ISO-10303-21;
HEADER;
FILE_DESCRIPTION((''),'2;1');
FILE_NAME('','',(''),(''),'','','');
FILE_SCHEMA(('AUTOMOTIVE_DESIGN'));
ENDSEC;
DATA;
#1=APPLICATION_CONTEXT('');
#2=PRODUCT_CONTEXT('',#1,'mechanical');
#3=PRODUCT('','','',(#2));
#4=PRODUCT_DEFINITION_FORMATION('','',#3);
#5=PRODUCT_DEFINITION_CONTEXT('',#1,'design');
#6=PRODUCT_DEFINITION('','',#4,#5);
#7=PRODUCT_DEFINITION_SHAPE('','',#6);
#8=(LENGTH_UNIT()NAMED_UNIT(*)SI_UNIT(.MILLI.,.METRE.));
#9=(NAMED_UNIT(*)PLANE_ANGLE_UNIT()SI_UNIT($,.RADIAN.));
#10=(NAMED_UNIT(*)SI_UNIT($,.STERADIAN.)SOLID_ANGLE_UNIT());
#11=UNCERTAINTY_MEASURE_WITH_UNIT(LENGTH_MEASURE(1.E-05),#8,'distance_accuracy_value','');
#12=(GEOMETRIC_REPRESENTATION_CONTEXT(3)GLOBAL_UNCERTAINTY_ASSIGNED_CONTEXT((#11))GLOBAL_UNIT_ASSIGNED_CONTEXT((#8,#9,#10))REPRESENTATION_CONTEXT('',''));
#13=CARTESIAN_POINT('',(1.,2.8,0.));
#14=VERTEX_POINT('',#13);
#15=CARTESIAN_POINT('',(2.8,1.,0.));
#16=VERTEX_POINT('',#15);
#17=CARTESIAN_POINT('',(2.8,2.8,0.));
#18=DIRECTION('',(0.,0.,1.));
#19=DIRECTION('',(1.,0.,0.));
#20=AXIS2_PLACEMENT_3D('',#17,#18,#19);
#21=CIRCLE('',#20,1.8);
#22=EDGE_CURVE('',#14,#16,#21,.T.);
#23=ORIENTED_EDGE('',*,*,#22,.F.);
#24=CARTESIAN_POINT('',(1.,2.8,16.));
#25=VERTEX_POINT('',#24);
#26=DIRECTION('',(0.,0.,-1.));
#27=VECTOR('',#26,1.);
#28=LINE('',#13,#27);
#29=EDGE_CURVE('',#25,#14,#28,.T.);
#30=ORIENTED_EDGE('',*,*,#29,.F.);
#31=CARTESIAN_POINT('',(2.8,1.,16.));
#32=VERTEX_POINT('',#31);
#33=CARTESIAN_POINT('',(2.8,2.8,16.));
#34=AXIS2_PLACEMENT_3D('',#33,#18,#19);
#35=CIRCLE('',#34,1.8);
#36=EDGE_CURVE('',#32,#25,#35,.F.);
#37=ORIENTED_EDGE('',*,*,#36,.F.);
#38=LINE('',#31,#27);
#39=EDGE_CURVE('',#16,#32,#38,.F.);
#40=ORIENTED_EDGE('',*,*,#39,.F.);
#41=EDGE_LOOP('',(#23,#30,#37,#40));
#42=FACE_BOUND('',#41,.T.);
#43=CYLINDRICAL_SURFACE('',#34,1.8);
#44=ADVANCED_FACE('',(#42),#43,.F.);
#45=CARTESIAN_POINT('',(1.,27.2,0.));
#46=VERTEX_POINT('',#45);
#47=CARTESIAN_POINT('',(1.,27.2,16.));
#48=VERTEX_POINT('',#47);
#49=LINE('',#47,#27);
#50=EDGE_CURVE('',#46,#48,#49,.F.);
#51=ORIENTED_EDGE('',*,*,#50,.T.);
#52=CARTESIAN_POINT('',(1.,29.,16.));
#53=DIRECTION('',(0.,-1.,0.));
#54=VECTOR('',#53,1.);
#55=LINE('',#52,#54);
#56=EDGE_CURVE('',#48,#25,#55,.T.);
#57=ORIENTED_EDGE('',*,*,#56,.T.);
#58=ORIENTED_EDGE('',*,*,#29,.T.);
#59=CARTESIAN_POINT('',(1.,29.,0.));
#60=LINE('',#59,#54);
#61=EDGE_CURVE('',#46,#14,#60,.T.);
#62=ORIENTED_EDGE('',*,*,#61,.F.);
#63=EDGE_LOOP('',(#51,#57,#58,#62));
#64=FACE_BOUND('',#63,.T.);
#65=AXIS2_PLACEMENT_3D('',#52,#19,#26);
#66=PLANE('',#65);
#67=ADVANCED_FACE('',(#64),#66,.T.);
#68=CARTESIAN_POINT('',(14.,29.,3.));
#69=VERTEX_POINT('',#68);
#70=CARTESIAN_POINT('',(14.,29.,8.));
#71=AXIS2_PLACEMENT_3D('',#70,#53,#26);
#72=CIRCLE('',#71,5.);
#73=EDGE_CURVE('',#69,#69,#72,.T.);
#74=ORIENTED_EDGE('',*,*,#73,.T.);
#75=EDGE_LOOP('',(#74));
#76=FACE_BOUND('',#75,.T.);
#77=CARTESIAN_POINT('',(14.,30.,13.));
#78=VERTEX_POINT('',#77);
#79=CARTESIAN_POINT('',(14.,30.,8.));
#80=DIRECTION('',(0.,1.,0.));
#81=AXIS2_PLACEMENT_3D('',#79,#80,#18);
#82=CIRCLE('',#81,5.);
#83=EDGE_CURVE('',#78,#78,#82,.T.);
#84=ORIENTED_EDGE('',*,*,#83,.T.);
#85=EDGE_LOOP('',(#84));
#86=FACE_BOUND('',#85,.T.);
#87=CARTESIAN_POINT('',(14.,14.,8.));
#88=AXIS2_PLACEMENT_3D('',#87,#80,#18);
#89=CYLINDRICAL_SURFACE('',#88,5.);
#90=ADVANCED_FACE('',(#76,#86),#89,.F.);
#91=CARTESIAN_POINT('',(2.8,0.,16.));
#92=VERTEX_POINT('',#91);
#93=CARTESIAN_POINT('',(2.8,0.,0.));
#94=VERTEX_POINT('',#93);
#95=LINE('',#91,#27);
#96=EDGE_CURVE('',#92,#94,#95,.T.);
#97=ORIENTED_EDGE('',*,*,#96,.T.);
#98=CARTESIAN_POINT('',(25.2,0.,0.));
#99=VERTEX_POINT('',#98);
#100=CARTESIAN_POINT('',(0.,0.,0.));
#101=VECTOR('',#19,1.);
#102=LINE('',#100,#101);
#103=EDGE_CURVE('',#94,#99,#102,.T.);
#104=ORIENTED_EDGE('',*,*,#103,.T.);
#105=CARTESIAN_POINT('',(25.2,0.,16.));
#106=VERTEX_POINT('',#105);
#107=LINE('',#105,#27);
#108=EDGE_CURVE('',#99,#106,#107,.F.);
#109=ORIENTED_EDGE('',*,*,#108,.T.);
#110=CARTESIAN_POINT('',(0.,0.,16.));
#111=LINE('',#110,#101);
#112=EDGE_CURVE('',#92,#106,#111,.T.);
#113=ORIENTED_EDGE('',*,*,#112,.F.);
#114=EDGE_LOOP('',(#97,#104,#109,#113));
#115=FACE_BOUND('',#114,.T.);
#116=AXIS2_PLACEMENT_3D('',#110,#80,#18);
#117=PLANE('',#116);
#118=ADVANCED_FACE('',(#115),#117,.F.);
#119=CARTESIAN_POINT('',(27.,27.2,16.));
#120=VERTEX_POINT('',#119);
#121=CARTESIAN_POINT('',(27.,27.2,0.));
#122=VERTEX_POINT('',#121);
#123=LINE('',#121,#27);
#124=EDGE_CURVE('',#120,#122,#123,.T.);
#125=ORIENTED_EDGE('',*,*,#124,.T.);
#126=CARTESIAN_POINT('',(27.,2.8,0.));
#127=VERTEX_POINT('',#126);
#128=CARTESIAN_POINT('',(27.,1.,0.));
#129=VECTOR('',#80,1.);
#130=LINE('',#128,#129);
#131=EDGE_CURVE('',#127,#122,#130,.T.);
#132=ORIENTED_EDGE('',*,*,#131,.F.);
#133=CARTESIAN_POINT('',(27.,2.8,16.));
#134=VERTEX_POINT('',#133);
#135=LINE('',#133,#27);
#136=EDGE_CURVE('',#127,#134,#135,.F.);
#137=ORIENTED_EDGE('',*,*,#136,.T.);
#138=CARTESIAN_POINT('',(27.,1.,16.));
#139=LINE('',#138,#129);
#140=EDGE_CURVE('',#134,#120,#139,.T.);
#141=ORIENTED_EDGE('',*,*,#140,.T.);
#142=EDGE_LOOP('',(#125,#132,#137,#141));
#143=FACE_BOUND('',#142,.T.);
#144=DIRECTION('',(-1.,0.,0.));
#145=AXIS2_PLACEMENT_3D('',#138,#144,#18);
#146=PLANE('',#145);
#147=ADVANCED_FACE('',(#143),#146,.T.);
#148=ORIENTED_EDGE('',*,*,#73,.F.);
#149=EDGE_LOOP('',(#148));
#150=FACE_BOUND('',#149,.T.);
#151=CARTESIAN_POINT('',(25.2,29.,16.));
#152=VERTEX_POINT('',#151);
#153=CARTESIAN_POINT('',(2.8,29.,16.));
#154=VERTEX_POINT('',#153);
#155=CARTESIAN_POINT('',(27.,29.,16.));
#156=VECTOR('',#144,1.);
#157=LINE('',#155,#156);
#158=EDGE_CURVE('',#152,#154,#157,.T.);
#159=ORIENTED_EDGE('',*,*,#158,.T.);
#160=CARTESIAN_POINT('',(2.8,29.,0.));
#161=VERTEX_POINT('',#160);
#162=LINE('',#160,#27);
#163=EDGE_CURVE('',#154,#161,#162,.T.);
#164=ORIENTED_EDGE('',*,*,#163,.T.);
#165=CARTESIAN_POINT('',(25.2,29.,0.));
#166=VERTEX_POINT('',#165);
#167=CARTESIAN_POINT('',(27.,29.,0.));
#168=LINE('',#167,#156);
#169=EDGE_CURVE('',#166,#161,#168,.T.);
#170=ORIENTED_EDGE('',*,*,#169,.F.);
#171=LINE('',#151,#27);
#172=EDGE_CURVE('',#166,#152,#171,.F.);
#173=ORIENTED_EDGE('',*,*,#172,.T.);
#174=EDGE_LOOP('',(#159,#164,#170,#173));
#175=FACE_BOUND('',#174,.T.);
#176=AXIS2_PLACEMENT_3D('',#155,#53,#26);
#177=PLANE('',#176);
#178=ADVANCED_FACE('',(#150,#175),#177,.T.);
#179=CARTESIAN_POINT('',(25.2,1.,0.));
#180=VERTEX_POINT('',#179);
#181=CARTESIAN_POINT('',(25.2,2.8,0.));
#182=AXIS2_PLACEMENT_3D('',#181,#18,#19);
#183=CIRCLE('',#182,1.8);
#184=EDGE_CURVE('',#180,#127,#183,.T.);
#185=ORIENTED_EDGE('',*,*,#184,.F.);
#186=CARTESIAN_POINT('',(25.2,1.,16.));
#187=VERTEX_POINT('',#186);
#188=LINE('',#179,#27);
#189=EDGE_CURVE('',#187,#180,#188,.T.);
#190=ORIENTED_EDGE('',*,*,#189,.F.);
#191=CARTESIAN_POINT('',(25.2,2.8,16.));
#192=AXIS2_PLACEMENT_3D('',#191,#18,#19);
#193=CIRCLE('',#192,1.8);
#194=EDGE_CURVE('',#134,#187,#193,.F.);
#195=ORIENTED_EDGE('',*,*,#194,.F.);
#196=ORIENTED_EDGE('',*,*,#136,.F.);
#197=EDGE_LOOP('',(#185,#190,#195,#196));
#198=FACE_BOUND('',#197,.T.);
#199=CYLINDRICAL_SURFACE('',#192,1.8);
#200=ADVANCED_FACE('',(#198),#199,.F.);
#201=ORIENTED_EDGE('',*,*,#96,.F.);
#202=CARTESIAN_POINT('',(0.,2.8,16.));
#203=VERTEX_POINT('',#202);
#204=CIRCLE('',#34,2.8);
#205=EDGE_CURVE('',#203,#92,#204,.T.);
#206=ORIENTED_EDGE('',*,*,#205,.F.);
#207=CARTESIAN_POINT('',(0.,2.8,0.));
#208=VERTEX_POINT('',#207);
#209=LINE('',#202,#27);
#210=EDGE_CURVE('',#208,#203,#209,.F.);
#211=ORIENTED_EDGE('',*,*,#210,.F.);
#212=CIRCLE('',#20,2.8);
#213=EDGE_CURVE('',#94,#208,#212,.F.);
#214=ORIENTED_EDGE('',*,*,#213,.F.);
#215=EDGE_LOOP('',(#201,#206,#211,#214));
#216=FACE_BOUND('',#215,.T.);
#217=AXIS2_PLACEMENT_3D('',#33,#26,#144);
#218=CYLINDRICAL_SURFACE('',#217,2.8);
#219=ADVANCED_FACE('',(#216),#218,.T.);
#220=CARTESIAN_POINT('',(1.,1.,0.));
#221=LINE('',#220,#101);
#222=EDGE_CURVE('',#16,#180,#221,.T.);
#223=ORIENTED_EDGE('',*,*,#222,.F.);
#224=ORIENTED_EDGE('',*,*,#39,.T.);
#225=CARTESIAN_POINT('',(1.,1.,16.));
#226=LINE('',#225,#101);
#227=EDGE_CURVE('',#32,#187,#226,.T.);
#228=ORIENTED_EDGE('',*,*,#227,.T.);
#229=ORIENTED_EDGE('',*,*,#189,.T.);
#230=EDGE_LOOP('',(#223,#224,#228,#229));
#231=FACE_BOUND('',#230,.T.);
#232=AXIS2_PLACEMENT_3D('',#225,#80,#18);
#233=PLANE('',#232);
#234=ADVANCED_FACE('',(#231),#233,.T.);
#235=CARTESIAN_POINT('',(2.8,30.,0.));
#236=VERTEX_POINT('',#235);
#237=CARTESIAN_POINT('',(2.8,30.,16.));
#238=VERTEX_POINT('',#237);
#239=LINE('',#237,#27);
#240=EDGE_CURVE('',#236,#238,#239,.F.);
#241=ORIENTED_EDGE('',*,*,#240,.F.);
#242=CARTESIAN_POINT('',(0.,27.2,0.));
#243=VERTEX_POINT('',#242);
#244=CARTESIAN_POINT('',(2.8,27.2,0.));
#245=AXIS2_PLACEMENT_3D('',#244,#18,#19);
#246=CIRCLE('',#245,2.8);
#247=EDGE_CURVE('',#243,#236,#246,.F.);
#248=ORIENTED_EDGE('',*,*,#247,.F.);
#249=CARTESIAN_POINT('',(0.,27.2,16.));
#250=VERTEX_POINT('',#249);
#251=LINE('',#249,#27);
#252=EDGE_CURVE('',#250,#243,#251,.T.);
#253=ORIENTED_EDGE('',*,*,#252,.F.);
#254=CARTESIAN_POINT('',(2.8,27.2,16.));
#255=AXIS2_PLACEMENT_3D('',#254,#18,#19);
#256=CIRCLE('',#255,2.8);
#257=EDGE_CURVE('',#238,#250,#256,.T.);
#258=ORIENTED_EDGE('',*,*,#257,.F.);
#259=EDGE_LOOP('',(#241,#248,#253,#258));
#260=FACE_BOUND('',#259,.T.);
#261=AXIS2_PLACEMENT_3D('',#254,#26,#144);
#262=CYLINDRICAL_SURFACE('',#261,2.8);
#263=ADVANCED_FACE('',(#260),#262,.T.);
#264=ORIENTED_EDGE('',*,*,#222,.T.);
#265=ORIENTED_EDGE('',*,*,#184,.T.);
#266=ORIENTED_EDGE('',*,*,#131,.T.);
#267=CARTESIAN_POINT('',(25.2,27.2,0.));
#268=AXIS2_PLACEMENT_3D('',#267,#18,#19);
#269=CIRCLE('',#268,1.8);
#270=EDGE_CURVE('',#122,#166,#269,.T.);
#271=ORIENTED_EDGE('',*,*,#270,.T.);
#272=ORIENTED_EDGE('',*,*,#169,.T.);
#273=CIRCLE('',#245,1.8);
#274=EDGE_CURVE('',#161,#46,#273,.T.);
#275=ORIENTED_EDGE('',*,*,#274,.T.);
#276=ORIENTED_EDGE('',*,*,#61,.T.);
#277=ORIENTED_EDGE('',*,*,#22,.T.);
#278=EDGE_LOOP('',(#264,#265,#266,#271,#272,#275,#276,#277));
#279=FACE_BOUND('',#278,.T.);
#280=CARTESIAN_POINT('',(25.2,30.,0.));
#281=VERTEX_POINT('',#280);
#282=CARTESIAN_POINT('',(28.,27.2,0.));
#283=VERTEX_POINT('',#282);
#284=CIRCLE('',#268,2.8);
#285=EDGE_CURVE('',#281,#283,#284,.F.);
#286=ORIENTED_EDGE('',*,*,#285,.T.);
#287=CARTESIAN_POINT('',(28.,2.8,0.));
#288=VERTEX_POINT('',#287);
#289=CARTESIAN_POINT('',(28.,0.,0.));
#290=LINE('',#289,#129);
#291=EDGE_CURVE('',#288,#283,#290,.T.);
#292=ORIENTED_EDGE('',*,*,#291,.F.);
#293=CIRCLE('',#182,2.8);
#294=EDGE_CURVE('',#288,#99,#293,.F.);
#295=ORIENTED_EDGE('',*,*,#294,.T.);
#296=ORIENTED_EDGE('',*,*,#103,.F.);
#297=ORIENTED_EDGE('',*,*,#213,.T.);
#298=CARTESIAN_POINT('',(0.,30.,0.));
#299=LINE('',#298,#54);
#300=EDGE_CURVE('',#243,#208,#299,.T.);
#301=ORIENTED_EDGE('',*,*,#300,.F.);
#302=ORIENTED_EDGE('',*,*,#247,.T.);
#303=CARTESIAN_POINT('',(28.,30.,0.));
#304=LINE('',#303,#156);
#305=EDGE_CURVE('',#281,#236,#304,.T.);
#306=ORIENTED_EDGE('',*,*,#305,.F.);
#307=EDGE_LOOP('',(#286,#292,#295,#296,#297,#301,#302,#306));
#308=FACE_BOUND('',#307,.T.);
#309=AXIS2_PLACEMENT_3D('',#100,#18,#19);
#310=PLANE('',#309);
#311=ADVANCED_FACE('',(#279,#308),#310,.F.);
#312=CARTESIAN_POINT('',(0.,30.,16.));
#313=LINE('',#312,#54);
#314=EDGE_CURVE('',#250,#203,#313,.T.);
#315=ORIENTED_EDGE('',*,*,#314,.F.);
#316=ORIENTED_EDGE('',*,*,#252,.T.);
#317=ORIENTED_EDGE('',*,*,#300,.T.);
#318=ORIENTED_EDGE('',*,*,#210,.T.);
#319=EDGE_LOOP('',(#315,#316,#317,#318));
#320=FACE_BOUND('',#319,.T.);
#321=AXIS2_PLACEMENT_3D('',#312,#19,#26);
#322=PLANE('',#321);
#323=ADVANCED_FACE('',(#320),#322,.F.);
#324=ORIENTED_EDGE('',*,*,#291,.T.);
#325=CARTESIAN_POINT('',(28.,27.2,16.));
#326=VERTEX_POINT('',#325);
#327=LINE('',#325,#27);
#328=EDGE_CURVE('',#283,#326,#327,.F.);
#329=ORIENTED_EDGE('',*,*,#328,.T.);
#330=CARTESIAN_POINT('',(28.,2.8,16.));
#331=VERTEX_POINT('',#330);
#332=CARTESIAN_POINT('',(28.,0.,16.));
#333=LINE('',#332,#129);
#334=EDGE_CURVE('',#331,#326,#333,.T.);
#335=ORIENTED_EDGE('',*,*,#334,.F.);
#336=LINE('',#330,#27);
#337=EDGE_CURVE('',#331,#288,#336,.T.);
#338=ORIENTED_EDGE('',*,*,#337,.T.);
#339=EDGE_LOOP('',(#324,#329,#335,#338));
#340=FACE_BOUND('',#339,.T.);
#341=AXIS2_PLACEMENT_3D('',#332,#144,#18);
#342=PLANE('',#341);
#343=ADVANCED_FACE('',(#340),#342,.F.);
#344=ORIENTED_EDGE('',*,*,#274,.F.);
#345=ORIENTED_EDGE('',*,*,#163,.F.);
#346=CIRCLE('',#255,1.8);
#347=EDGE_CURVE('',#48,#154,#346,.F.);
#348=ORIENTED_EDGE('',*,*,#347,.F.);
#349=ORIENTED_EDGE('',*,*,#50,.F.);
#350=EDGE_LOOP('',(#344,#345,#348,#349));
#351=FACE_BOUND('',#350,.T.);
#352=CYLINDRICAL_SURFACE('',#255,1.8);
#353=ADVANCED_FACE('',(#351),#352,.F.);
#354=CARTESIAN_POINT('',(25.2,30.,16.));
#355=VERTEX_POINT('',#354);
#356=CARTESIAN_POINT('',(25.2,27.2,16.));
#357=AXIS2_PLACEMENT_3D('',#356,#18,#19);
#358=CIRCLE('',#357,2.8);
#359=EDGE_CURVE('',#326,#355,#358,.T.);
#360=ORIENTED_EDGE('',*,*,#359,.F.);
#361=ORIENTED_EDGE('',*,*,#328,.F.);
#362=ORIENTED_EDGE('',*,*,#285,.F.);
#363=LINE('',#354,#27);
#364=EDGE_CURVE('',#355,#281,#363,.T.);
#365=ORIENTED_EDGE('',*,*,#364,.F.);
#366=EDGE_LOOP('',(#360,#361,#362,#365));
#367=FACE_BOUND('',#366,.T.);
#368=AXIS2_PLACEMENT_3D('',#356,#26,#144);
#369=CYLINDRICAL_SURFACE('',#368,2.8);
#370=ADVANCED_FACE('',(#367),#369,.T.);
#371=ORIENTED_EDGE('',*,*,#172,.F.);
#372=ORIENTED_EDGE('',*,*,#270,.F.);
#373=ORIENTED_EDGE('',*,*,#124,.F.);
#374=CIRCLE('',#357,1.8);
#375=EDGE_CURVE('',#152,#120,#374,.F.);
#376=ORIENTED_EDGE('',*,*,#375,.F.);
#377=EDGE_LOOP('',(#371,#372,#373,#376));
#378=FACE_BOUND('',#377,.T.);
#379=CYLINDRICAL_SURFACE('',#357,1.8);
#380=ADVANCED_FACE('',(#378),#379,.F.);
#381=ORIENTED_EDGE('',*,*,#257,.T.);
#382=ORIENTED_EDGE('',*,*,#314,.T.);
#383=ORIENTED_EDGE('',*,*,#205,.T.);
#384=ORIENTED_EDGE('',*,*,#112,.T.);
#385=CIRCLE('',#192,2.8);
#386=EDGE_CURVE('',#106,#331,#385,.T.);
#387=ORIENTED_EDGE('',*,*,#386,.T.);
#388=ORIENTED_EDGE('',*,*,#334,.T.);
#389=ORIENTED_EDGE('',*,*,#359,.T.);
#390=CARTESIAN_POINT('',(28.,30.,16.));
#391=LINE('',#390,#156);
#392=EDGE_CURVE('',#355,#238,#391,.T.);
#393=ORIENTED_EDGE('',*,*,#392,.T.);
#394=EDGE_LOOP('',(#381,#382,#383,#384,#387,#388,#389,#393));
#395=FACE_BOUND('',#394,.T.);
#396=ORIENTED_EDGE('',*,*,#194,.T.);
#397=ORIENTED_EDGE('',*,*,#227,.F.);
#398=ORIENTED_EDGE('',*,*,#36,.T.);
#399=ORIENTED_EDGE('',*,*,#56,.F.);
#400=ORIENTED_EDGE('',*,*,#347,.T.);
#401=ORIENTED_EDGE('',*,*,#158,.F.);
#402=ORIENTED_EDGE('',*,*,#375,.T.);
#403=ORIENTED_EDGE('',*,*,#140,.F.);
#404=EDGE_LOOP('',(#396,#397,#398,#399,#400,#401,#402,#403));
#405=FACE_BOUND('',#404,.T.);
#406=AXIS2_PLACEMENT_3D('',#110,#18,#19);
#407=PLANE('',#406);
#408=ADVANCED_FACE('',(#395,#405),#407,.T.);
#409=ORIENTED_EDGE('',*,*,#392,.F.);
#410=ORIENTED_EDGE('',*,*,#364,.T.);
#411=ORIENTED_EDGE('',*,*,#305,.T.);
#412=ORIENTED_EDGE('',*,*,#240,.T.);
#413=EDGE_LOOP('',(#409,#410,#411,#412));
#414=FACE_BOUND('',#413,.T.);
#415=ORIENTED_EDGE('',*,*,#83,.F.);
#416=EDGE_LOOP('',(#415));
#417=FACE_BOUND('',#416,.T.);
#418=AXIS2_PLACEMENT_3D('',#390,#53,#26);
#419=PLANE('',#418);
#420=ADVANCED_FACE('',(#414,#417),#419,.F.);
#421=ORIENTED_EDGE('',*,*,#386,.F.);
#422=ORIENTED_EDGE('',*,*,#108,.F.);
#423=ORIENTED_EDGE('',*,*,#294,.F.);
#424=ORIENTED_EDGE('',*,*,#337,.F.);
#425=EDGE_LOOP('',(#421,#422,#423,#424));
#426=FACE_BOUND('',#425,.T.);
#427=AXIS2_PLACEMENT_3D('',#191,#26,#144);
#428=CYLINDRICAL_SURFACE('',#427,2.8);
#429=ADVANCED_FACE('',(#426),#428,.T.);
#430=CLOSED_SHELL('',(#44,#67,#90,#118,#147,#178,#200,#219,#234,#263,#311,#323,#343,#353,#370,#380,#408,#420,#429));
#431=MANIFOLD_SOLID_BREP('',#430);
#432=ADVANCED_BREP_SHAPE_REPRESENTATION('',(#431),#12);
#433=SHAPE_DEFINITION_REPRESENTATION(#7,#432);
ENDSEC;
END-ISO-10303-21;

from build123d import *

# Parameters (mm, degrees)
SKETCH_1_W          = 28
SKETCH_1_H          = 30
SKETCH_1_W_2        = 26
SKETCH_1_H_2        = 28
EXTRUDE_1_DEPTH     = 16
FILLET_1_R          = 1.8
FILLET_2_R          = 2.8
SKETCH_2_R          = 5
CUT_EXTRUDE_1_DEPTH = 16


with BuildPart() as part:
    # Эскиз1 → Бобышка-Вытянуть1 (new body)
    with BuildSketch(Plane.XY):
        with Locations((14, 15)):
            Rectangle(SKETCH_1_W, SKETCH_1_H)
        with Locations((14, 15)):
            Rectangle(SKETCH_1_W_2, SKETCH_1_H_2, mode=Mode.SUBTRACT)
    extrude(amount=EXTRUDE_1_DEPTH)

    # Скругление1
    fillet_1_edges = [part.edges().sort_by_distance(p)[0] for p in [
        (27, 29, 8),
        (1, 29, 8),
        (1, 1, 8),
        (27, 1, 8),
    ]]
    fillet(fillet_1_edges, radius=FILLET_1_R)

    # Скругление2
    fillet_2_edges = [part.edges().sort_by_distance(p)[0] for p in [
        (0, 30, 8),
        (28, 30, 8),
        (28, 0, 8),
        (0, 0, 8),
    ]]
    fillet(fillet_2_edges, radius=FILLET_2_R)

    # Эскиз2 → Вырез-Вытянуть1 (cut)
    with BuildSketch(Plane(origin=(0, 30, 0), x_dir=(1, 0, 0), z_dir=(0, 1, 0))):
        with Locations(Location((14, -8, 0), (0, 0, 270))):
            Circle(SKETCH_2_R)
    extrude(amount=-CUT_EXTRUDE_1_DEPTH, mode=Mode.SUBTRACT)


solid = part.part
